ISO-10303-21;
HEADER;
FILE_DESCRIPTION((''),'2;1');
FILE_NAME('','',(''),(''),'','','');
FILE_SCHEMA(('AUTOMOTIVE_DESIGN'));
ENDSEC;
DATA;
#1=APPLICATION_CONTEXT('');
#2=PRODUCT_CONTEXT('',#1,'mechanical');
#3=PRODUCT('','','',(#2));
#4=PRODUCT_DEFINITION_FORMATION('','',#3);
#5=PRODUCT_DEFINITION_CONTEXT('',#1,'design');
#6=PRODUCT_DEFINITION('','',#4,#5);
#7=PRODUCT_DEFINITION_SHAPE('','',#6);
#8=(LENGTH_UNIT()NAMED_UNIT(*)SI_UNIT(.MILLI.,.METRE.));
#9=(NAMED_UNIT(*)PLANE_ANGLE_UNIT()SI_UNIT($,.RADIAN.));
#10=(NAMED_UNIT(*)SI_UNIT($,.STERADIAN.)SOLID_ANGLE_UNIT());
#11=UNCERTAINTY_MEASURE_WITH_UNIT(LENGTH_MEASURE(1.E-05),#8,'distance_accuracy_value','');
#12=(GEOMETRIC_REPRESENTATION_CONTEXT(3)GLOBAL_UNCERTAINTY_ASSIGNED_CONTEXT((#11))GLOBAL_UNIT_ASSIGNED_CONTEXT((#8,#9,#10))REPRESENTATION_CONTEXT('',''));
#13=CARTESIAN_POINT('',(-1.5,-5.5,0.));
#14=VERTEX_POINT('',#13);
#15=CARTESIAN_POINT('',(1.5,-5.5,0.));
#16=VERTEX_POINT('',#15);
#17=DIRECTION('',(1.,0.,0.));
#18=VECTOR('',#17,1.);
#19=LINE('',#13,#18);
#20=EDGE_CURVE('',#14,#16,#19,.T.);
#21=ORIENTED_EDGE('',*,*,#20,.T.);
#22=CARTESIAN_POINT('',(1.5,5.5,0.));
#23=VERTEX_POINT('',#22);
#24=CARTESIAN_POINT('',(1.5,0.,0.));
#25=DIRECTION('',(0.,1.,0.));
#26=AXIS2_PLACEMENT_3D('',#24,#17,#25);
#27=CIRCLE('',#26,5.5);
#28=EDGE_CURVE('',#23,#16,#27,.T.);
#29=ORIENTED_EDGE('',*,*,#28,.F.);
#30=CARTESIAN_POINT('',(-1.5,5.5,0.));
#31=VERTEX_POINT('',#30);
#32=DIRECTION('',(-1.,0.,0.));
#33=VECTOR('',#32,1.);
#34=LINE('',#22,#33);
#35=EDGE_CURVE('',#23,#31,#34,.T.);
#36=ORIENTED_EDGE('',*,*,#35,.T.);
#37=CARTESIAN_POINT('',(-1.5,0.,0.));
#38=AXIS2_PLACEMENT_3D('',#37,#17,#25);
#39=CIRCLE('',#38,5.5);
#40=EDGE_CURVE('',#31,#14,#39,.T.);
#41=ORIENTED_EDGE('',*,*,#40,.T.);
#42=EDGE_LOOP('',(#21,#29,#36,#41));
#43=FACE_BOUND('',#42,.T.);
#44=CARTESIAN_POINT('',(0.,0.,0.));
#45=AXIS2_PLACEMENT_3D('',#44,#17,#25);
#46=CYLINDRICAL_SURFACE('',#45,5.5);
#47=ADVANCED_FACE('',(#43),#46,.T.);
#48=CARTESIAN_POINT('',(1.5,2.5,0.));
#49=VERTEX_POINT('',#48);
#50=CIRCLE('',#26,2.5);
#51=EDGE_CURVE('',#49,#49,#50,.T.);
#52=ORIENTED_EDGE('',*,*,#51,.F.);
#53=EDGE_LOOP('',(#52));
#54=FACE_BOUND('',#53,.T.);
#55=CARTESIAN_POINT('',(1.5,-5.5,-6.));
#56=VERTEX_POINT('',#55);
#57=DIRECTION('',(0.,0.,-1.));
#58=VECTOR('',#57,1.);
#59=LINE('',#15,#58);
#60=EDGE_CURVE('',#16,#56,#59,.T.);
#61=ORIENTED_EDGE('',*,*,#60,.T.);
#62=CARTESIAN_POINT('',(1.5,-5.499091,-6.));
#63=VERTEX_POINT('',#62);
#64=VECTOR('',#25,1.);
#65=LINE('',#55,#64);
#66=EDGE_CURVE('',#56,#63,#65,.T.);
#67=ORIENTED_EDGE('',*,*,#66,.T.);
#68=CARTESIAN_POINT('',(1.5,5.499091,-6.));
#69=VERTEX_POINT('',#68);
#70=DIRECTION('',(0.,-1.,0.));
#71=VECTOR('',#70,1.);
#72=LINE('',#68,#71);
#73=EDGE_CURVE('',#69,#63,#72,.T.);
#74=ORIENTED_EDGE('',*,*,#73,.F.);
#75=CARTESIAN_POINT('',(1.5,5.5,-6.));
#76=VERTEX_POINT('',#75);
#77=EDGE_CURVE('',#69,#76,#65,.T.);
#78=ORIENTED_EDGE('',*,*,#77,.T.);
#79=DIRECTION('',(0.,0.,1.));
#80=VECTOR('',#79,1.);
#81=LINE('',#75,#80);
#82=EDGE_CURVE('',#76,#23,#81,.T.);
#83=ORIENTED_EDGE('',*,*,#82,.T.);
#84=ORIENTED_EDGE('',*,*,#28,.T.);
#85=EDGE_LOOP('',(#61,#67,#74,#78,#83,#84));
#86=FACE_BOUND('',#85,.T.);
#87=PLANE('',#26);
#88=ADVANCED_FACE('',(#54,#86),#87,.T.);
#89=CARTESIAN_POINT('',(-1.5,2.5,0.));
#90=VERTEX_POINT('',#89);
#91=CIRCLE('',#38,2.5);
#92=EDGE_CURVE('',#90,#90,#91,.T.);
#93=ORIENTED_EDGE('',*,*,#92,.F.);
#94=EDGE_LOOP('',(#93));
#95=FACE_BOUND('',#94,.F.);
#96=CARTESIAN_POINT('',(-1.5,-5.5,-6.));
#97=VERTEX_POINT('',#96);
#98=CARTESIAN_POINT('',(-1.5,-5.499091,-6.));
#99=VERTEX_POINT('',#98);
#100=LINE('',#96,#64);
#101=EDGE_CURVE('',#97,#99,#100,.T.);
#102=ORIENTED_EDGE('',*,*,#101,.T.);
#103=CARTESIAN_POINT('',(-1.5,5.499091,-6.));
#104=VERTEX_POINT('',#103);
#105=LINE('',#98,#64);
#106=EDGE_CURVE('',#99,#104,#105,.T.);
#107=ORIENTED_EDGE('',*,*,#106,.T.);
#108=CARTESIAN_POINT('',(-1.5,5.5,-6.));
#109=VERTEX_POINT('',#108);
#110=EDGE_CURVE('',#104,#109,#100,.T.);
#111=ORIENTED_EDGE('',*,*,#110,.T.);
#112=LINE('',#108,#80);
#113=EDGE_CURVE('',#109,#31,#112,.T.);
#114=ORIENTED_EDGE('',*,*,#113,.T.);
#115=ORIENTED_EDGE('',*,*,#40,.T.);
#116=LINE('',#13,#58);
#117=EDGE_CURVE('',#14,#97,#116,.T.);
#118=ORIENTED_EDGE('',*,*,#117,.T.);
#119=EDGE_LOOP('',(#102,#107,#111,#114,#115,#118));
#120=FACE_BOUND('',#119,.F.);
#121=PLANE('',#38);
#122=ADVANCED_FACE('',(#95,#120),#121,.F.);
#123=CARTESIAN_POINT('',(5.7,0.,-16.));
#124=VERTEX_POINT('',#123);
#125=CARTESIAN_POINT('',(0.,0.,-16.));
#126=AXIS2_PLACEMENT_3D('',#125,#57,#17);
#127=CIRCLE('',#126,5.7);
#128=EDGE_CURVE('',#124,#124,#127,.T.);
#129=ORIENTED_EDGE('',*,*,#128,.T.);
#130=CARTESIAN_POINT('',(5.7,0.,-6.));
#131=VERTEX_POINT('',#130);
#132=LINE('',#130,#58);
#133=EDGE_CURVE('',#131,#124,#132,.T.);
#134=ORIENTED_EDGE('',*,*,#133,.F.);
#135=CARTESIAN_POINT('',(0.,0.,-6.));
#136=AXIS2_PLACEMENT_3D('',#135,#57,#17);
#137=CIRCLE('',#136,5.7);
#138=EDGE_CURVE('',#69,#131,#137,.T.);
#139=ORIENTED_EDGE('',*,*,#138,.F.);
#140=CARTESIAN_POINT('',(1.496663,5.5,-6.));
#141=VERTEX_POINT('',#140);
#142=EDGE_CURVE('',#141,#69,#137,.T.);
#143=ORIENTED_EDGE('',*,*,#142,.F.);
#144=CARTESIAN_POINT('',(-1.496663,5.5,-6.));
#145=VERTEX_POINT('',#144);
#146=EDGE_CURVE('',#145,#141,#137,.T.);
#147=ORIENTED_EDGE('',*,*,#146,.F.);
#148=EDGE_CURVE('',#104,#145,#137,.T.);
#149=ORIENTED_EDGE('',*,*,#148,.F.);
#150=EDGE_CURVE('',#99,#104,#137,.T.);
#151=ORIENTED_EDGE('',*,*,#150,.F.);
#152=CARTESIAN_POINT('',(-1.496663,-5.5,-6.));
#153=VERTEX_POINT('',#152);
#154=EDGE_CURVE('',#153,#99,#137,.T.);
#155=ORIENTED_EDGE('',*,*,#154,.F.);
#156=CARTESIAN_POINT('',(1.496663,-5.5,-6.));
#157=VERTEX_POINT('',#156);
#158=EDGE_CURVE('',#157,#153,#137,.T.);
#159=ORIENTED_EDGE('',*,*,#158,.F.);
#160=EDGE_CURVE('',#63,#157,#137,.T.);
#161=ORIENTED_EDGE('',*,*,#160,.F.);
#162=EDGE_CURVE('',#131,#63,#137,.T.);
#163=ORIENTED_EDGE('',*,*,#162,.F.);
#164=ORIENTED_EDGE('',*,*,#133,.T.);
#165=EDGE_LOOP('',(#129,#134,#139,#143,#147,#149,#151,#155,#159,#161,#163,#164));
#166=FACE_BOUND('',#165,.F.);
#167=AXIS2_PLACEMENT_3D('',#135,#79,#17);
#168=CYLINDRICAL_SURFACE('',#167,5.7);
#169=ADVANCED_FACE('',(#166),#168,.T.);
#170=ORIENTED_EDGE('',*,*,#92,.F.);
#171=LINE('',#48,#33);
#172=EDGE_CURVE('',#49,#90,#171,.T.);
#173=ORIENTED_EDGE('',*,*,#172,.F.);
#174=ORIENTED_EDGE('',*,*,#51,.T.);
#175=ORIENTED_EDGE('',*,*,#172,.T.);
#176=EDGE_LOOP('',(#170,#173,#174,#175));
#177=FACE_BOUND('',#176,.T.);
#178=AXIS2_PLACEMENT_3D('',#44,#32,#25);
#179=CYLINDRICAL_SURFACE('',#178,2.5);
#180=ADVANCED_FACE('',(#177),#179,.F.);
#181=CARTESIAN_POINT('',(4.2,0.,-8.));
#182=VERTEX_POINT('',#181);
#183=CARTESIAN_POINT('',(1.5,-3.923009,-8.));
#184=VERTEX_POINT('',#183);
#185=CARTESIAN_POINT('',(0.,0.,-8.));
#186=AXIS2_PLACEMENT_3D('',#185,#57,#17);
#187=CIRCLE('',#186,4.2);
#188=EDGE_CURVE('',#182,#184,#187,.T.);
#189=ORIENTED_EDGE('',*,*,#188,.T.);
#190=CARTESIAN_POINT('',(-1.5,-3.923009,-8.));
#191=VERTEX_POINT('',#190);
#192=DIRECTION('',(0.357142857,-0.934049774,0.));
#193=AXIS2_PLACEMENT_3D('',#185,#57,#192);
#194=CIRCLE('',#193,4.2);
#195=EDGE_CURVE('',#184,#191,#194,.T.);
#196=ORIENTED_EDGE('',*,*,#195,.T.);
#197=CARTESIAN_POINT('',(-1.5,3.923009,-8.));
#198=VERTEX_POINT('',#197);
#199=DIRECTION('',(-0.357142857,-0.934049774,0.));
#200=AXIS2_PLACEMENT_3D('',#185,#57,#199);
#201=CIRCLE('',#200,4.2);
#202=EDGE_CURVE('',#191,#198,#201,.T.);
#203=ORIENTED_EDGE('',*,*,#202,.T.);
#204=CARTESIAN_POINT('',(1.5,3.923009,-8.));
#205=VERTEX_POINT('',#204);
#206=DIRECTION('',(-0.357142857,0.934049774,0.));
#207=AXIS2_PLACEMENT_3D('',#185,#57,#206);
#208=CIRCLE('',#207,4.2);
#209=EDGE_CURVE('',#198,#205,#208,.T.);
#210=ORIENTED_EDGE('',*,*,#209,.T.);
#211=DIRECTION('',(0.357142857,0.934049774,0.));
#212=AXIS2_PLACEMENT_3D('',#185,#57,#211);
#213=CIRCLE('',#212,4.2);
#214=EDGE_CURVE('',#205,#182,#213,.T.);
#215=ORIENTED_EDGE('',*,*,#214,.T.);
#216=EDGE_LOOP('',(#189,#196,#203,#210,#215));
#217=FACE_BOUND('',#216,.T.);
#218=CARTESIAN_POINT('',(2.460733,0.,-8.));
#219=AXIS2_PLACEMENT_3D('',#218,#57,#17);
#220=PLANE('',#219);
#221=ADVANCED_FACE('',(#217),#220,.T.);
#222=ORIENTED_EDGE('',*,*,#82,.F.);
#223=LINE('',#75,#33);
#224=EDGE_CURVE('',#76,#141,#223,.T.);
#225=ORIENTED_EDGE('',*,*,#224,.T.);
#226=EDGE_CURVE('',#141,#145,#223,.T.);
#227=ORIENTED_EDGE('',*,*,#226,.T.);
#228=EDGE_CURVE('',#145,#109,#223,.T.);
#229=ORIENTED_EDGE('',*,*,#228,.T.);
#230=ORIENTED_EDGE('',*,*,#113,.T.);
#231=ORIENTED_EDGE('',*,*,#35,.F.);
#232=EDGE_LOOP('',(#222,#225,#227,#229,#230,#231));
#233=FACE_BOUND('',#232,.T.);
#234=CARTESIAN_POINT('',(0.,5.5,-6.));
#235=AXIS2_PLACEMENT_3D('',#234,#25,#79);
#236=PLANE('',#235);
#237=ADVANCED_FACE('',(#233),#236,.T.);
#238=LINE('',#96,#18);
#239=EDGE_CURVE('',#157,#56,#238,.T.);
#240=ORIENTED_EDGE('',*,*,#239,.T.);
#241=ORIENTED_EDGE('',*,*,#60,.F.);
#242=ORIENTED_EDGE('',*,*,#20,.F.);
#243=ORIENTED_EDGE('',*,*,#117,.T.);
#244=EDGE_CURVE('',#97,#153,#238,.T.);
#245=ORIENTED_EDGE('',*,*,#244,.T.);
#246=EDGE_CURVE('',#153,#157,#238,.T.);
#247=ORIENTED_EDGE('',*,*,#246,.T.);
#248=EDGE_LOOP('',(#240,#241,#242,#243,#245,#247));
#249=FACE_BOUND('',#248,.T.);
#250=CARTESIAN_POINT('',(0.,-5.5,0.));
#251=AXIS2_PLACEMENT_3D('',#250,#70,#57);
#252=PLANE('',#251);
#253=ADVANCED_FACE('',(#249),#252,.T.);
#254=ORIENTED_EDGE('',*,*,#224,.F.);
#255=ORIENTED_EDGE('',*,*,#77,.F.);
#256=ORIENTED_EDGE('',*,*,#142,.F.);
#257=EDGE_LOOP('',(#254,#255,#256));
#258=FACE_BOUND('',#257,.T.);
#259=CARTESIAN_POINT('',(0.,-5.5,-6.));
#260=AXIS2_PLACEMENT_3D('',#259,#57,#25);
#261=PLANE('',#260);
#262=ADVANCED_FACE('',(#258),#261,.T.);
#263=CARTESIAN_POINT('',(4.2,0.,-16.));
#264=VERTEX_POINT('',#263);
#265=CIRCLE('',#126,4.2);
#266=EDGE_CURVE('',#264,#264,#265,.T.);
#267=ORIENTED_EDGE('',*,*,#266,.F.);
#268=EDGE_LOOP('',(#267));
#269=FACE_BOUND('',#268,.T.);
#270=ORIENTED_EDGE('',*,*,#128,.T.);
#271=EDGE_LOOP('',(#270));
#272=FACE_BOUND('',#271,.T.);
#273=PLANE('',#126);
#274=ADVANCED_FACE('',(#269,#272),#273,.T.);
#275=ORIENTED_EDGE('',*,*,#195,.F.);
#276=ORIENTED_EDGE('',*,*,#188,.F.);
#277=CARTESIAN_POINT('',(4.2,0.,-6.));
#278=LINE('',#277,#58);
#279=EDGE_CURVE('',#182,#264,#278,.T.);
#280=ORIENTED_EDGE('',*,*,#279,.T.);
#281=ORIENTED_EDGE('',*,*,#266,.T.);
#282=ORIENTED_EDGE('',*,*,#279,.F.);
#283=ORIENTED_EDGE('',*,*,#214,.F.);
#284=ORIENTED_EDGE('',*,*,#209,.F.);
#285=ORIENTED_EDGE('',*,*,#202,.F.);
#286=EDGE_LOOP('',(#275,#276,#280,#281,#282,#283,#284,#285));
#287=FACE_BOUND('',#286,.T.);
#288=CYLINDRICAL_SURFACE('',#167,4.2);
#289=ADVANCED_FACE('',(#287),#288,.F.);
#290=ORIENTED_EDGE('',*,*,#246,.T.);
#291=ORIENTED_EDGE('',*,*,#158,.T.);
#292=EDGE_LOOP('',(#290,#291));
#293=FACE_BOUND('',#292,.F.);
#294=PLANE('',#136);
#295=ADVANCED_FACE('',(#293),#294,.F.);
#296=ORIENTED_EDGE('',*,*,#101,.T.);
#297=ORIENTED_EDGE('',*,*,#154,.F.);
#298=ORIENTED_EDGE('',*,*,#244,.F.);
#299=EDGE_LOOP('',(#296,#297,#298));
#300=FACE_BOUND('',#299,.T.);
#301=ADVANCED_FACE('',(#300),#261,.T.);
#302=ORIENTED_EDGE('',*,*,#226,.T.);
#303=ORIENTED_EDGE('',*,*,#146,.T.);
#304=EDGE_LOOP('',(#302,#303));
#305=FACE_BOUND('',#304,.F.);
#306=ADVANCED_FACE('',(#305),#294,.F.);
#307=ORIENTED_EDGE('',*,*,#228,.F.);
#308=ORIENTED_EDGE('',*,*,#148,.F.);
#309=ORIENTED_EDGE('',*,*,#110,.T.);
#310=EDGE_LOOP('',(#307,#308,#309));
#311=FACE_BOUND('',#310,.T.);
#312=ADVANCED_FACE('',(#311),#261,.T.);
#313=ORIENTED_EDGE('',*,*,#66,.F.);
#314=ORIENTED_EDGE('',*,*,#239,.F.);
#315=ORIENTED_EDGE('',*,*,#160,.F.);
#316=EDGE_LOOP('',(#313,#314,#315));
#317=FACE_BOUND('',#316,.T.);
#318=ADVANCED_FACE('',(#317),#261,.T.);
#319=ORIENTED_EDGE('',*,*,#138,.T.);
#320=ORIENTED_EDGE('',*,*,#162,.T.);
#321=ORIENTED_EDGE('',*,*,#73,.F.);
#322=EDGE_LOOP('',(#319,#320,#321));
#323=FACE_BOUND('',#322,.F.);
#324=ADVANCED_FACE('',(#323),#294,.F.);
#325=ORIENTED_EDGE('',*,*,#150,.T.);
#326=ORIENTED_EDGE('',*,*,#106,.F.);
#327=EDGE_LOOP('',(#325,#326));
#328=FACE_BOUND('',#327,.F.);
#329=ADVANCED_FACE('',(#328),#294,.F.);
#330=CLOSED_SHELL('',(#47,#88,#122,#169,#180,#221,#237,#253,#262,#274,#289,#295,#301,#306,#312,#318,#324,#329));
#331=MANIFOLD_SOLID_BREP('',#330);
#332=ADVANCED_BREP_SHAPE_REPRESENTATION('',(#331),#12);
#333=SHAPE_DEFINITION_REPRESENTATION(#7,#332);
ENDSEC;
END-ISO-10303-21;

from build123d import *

# Parameters (mm, degrees)
F0_R          = 2.5
F1_DEPTH      = 1.5
F1_DEPTH_BACK = 1.5
F3_DEPTH      = 2
F2_R          = 5.7
F2_R_2        = 4.2
F4_DEPTH      = 10


with BuildPart() as f1:
    # F0 (on Right) → F1 (new body, two sides)
    with BuildSketch(Plane.YZ) as f1_sk:
        with BuildLine():
            ThreePointArc((-5.5, 0), (0, -5.5), (5.5, 0))
            ThreePointArc((5.5, 0), (0, 5.5), (-5.5, 0))
        make_face()
        Circle(F0_R, mode=Mode.SUBTRACT)
        with BuildLine():
            Line((5.5, -6), (5.5, 0))
            ThreePointArc((5.5, 0), (0, -5.5), (-5.5, 0))
            Line((-5.5, 0), (-5.5, -6))
            Line((-5.5, -6), (5.5, -6))
        make_face()
    extrude(amount=F1_DEPTH)
    extrude(f1_sk.sketch, amount=-F1_DEPTH_BACK)

    # F2 (on face) → F3 (join)
    with BuildSketch(Plane(origin=(0, 0, -6), x_dir=(1, 0, 0), z_dir=(0, 0, -1))):
        with BuildLine():
            ThreePointArc((1.5, -3.9230090492), (3.4597687784, -2.38117618), (4.2, 0))
            ThreePointArc((4.2, 0), (3.4597687784, 2.38117618), (1.5, 3.9230090492))
            Line((1.5, 3.9230090492), (1.5, -3.9230090492))
        make_face()
        with BuildLine():
            Line((1.5, -3.9230090492), (1.5, 3.9230090492))
            ThreePointArc((1.5, 3.9230090492), (0, 4.2), (-1.5, 3.9230090492))
            Line((-1.5, 3.9230090492), (-1.5, -3.9230090492))
            ThreePointArc((-1.5, -3.9230090492), (0, -4.2), (1.5, -3.9230090492))
        make_face()
        with BuildLine():
            Line((-1.5, -3.9230090492), (-1.5, 3.9230090492))
            ThreePointArc((-1.5, 3.9230090492), (-4.2, 0), (-1.5, -3.9230090492))
        make_face()
    extrude(amount=F3_DEPTH)

    # F2 (on face) → F4 (join)
    with BuildSketch(Plane(origin=(0, 0, -6), x_dir=(1, 0, 0), z_dir=(0, 0, -1))):
        Circle(F2_R)
        Circle(F2_R_2, mode=Mode.SUBTRACT)
    extrude(amount=F4_DEPTH)


solid = f1.part
